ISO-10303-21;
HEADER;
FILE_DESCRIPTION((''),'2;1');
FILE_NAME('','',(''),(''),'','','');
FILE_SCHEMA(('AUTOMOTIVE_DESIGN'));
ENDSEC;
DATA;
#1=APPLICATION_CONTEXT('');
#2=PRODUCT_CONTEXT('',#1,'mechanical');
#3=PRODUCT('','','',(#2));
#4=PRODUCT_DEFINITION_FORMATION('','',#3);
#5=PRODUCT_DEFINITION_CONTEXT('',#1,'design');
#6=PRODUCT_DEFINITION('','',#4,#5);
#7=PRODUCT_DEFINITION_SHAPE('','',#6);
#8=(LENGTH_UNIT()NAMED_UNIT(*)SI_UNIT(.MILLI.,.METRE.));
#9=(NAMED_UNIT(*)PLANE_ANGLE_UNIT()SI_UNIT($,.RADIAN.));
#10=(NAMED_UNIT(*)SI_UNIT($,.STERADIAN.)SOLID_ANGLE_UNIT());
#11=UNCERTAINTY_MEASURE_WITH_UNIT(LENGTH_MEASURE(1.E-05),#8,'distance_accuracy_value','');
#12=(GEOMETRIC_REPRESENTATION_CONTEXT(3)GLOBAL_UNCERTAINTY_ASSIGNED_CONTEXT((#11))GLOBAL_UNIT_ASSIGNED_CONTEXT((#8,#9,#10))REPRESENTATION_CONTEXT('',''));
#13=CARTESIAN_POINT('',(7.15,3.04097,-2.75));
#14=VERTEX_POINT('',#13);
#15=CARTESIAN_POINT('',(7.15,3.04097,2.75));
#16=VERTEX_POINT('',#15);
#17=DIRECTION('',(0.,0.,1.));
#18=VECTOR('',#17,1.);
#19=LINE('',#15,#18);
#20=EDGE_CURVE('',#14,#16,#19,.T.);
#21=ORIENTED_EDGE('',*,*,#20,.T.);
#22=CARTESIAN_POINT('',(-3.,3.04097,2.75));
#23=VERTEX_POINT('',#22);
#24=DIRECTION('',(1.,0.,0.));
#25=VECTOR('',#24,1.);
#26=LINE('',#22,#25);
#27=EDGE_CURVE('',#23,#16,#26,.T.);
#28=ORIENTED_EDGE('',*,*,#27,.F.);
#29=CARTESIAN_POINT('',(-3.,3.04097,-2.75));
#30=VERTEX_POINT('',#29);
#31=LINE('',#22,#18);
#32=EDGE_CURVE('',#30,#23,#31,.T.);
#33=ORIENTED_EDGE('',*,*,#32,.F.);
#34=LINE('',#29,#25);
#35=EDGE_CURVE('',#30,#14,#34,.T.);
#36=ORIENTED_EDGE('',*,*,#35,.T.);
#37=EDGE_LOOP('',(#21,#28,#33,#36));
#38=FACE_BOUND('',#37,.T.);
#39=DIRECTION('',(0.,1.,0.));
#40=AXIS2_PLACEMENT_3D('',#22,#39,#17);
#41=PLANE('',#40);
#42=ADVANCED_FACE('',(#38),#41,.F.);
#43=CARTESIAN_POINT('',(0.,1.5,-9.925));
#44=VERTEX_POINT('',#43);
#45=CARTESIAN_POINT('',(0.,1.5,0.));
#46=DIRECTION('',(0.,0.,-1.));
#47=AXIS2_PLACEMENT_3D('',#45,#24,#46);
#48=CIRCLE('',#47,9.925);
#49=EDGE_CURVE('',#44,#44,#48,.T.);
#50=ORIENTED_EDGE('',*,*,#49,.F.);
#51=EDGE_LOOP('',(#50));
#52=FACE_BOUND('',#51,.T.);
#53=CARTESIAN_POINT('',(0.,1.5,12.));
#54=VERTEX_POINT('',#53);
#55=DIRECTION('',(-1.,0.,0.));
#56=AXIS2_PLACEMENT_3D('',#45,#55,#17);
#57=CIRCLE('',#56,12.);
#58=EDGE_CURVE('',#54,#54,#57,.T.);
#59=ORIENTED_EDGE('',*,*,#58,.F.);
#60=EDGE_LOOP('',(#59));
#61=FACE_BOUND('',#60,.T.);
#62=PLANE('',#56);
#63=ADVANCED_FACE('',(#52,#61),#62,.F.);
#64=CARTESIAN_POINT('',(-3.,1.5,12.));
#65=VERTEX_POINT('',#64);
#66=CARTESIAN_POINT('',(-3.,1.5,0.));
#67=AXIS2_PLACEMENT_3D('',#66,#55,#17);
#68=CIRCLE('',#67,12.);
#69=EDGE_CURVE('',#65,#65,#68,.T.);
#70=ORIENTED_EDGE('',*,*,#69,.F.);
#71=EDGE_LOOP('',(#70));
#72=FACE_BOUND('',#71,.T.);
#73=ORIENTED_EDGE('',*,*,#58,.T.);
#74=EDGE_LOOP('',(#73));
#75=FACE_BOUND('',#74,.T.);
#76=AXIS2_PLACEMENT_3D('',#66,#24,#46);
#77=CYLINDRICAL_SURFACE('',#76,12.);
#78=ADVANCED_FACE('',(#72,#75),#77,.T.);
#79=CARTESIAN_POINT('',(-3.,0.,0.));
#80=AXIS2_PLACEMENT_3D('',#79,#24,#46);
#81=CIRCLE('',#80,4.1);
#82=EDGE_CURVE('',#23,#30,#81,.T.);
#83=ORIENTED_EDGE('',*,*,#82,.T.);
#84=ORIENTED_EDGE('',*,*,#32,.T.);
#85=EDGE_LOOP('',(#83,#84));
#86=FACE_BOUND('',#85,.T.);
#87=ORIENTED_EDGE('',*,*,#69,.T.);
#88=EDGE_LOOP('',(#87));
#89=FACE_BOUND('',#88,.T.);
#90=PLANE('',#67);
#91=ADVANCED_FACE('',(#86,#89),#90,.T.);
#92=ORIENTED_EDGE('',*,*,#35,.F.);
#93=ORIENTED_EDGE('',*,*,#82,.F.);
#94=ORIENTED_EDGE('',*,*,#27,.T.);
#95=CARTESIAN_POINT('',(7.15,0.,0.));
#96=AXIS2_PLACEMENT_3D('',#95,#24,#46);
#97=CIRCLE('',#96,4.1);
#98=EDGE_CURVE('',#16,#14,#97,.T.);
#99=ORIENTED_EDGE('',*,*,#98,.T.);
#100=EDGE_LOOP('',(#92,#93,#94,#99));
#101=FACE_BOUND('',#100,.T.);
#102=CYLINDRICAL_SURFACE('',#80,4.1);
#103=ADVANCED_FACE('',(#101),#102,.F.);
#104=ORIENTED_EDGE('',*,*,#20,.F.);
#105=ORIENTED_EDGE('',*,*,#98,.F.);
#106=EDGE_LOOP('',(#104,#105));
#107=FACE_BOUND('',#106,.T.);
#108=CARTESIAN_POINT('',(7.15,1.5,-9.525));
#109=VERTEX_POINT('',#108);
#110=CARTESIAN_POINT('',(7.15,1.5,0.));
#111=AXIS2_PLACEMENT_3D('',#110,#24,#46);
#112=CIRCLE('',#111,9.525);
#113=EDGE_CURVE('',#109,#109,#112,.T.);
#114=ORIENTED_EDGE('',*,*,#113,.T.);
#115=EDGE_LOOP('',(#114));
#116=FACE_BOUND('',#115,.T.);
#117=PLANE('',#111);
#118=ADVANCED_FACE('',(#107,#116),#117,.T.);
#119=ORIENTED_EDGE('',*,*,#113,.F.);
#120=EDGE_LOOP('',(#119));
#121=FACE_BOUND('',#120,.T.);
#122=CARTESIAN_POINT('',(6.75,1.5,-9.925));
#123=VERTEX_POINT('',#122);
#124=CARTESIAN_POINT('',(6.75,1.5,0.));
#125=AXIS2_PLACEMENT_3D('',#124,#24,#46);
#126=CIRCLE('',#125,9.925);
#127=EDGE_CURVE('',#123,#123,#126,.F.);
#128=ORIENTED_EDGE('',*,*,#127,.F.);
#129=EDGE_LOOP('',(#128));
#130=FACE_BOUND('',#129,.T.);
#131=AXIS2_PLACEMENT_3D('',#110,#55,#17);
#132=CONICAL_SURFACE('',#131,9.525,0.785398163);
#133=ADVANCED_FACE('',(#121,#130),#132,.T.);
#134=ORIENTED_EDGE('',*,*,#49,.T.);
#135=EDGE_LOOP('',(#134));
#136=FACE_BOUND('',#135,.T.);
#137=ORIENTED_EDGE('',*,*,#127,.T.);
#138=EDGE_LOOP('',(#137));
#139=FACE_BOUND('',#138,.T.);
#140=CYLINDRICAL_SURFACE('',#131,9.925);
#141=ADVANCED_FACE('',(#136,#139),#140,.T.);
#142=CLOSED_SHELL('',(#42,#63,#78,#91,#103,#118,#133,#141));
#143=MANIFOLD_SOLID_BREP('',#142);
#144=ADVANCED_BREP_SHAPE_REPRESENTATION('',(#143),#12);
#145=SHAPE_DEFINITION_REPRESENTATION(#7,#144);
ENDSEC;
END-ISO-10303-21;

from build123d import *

# Parameters (mm, degrees)
SKIZZE1_R                            = 9.925
AUFSATZ_LINEAR_AUSTRAGEN1_DEPTH      = 7.15
SKIZZE2_R                            = 12
AUFSATZ_LINEAR_AUSTRAGEN2_DEPTH      = 3
SCHNITT_LINEAR_AUSTRAGEN2_DEPTH      = 21.718892345
SCHNITT_LINEAR_AUSTRAGEN2_DEPTH_BACK = 21.718892345
FASE1_SIZE                           = 0.4


with BuildPart() as part:
    # Skizze1 → Aufsatz-Linear austragen1 (new body)
    with BuildSketch(Plane(origin=(0, 0, 0), x_dir=(0, 0, -1), z_dir=(1, 0, 0))):
        with Locations((0, 1.5)):
            Circle(SKIZZE1_R)
    extrude(amount=AUFSATZ_LINEAR_AUSTRAGEN1_DEPTH)

    # Skizze2 → Aufsatz-Linear austragen2 (add)
    with BuildSketch(Plane.ZY):
        with Locations((0, 1.5)):
            Circle(SKIZZE2_R)
    extrude(amount=AUFSATZ_LINEAR_AUSTRAGEN2_DEPTH)

    # Skizze3 → Schnitt-Linear austragen2 (cut, two sides: drawn at the far end of the back side and taken through both)
    with BuildSketch(Plane(origin=(7.15, 0, 0), x_dir=(0, 0, -1), z_dir=(1, 0, 0)).offset(-SCHNITT_LINEAR_AUSTRAGEN2_DEPTH_BACK)):
        with BuildLine():
            Line((-2.75, 3.04097024), (2.75, 3.04097024))
            ThreePointArc((2.75, 3.04097024), (0, -4.1), (-2.75, 3.04097024))
        make_face()
    extrude(amount=SCHNITT_LINEAR_AUSTRAGEN2_DEPTH + SCHNITT_LINEAR_AUSTRAGEN2_DEPTH_BACK, mode=Mode.SUBTRACT)

    # Fase1
    fase1_edges = [part.edges().sort_by_distance(p)[0] for p in [
        (7.15, 1.5, 9.925),
    ]]
    chamfer(fase1_edges, length=FASE1_SIZE)


solid = part.part
